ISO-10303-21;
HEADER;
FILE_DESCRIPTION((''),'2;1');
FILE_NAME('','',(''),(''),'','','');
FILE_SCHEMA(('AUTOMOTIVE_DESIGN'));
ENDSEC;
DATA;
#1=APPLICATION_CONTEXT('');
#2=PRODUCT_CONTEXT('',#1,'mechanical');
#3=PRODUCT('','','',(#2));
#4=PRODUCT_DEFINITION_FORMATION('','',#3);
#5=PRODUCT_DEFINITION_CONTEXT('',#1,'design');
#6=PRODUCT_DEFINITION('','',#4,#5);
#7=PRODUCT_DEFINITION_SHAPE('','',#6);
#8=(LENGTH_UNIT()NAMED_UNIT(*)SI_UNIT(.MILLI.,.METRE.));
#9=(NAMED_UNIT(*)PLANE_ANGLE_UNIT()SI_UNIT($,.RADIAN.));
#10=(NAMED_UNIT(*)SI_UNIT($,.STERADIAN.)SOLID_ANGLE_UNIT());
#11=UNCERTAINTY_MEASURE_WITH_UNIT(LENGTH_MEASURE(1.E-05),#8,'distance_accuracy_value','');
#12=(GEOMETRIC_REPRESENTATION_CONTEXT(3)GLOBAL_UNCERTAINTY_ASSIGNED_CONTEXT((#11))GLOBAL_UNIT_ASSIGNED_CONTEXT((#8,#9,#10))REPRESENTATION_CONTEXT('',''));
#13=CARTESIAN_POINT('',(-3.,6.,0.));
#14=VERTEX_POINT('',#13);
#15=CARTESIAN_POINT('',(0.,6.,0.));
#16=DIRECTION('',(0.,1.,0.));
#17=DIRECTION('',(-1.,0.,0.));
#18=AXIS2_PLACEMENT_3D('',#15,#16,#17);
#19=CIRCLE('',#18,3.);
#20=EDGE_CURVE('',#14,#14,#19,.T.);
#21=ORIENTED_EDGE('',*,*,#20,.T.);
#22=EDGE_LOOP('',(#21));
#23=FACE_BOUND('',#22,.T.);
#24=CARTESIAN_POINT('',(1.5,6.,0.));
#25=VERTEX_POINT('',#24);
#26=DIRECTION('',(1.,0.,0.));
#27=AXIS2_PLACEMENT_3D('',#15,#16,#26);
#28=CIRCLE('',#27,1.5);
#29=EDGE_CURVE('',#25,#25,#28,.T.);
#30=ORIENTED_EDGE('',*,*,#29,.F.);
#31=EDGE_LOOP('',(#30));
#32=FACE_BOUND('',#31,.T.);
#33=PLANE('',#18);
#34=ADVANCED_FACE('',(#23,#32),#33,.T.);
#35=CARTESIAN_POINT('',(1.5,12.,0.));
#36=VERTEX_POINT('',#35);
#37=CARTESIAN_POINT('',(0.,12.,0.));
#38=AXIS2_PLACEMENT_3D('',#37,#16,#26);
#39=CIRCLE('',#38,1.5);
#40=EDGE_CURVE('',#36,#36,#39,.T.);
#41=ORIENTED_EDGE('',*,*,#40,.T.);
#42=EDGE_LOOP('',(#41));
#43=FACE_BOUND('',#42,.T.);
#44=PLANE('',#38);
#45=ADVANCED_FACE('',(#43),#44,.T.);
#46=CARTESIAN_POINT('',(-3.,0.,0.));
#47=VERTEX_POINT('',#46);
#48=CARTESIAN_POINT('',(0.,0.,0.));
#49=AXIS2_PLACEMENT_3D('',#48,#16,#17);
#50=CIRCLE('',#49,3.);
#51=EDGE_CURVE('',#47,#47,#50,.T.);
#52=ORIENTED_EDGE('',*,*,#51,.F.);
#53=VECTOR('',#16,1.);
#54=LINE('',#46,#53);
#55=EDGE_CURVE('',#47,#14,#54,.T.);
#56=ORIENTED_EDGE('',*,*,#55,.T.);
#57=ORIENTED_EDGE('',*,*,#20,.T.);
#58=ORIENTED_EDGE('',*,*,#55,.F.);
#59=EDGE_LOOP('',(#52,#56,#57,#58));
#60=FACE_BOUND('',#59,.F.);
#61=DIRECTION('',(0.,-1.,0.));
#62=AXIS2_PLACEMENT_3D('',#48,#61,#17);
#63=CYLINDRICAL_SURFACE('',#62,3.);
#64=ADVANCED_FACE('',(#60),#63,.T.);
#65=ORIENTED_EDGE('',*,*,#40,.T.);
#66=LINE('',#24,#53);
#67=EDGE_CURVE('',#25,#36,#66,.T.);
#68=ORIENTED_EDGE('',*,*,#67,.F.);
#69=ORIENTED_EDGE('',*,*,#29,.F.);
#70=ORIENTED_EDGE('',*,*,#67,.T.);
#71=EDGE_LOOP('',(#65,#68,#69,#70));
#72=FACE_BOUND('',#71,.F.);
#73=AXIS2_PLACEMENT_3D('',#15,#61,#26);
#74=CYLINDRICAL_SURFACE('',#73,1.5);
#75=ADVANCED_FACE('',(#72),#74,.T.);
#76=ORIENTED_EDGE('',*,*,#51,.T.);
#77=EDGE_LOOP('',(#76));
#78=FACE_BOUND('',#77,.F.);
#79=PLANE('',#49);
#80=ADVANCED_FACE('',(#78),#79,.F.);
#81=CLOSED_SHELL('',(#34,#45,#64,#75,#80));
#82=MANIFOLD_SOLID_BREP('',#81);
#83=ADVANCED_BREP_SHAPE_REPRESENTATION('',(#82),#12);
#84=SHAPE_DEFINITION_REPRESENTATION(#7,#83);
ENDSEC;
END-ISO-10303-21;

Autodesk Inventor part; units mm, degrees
ref_plane "YZ Plane" through (0, 0, 0) normal (1, 0, 0) x (0, 1, 0)
ref_plane "XZ Plane" through (0, 0, 0) normal (0, 1, 0) x (-1, 0, 0)
ref_plane "XY Plane" through (0, 0, 0) normal (0, 0, 1) x (1, 0, 0)
sketch "Sketch1" plane through (0, 0, 0) normal (0, 1, 0) x (-1, 0, 0)
  circle A0 centre (0, 0) radius 3
  dimension "d0" = 6
extrude "Extrusion1" add sketch "Sketch1" along normal blind 6
sketch "Sketch2" plane through (0, 6, 0) normal (0, 1, 0) x (1, 0, 0)
  circle A0 centre (0, 0) radius 1.5
  dimension "d3" = 3
extrude "Extrusion2" add sketch "Sketch2" along normal blind 6
properties part number "M3-6-6-standoff"
